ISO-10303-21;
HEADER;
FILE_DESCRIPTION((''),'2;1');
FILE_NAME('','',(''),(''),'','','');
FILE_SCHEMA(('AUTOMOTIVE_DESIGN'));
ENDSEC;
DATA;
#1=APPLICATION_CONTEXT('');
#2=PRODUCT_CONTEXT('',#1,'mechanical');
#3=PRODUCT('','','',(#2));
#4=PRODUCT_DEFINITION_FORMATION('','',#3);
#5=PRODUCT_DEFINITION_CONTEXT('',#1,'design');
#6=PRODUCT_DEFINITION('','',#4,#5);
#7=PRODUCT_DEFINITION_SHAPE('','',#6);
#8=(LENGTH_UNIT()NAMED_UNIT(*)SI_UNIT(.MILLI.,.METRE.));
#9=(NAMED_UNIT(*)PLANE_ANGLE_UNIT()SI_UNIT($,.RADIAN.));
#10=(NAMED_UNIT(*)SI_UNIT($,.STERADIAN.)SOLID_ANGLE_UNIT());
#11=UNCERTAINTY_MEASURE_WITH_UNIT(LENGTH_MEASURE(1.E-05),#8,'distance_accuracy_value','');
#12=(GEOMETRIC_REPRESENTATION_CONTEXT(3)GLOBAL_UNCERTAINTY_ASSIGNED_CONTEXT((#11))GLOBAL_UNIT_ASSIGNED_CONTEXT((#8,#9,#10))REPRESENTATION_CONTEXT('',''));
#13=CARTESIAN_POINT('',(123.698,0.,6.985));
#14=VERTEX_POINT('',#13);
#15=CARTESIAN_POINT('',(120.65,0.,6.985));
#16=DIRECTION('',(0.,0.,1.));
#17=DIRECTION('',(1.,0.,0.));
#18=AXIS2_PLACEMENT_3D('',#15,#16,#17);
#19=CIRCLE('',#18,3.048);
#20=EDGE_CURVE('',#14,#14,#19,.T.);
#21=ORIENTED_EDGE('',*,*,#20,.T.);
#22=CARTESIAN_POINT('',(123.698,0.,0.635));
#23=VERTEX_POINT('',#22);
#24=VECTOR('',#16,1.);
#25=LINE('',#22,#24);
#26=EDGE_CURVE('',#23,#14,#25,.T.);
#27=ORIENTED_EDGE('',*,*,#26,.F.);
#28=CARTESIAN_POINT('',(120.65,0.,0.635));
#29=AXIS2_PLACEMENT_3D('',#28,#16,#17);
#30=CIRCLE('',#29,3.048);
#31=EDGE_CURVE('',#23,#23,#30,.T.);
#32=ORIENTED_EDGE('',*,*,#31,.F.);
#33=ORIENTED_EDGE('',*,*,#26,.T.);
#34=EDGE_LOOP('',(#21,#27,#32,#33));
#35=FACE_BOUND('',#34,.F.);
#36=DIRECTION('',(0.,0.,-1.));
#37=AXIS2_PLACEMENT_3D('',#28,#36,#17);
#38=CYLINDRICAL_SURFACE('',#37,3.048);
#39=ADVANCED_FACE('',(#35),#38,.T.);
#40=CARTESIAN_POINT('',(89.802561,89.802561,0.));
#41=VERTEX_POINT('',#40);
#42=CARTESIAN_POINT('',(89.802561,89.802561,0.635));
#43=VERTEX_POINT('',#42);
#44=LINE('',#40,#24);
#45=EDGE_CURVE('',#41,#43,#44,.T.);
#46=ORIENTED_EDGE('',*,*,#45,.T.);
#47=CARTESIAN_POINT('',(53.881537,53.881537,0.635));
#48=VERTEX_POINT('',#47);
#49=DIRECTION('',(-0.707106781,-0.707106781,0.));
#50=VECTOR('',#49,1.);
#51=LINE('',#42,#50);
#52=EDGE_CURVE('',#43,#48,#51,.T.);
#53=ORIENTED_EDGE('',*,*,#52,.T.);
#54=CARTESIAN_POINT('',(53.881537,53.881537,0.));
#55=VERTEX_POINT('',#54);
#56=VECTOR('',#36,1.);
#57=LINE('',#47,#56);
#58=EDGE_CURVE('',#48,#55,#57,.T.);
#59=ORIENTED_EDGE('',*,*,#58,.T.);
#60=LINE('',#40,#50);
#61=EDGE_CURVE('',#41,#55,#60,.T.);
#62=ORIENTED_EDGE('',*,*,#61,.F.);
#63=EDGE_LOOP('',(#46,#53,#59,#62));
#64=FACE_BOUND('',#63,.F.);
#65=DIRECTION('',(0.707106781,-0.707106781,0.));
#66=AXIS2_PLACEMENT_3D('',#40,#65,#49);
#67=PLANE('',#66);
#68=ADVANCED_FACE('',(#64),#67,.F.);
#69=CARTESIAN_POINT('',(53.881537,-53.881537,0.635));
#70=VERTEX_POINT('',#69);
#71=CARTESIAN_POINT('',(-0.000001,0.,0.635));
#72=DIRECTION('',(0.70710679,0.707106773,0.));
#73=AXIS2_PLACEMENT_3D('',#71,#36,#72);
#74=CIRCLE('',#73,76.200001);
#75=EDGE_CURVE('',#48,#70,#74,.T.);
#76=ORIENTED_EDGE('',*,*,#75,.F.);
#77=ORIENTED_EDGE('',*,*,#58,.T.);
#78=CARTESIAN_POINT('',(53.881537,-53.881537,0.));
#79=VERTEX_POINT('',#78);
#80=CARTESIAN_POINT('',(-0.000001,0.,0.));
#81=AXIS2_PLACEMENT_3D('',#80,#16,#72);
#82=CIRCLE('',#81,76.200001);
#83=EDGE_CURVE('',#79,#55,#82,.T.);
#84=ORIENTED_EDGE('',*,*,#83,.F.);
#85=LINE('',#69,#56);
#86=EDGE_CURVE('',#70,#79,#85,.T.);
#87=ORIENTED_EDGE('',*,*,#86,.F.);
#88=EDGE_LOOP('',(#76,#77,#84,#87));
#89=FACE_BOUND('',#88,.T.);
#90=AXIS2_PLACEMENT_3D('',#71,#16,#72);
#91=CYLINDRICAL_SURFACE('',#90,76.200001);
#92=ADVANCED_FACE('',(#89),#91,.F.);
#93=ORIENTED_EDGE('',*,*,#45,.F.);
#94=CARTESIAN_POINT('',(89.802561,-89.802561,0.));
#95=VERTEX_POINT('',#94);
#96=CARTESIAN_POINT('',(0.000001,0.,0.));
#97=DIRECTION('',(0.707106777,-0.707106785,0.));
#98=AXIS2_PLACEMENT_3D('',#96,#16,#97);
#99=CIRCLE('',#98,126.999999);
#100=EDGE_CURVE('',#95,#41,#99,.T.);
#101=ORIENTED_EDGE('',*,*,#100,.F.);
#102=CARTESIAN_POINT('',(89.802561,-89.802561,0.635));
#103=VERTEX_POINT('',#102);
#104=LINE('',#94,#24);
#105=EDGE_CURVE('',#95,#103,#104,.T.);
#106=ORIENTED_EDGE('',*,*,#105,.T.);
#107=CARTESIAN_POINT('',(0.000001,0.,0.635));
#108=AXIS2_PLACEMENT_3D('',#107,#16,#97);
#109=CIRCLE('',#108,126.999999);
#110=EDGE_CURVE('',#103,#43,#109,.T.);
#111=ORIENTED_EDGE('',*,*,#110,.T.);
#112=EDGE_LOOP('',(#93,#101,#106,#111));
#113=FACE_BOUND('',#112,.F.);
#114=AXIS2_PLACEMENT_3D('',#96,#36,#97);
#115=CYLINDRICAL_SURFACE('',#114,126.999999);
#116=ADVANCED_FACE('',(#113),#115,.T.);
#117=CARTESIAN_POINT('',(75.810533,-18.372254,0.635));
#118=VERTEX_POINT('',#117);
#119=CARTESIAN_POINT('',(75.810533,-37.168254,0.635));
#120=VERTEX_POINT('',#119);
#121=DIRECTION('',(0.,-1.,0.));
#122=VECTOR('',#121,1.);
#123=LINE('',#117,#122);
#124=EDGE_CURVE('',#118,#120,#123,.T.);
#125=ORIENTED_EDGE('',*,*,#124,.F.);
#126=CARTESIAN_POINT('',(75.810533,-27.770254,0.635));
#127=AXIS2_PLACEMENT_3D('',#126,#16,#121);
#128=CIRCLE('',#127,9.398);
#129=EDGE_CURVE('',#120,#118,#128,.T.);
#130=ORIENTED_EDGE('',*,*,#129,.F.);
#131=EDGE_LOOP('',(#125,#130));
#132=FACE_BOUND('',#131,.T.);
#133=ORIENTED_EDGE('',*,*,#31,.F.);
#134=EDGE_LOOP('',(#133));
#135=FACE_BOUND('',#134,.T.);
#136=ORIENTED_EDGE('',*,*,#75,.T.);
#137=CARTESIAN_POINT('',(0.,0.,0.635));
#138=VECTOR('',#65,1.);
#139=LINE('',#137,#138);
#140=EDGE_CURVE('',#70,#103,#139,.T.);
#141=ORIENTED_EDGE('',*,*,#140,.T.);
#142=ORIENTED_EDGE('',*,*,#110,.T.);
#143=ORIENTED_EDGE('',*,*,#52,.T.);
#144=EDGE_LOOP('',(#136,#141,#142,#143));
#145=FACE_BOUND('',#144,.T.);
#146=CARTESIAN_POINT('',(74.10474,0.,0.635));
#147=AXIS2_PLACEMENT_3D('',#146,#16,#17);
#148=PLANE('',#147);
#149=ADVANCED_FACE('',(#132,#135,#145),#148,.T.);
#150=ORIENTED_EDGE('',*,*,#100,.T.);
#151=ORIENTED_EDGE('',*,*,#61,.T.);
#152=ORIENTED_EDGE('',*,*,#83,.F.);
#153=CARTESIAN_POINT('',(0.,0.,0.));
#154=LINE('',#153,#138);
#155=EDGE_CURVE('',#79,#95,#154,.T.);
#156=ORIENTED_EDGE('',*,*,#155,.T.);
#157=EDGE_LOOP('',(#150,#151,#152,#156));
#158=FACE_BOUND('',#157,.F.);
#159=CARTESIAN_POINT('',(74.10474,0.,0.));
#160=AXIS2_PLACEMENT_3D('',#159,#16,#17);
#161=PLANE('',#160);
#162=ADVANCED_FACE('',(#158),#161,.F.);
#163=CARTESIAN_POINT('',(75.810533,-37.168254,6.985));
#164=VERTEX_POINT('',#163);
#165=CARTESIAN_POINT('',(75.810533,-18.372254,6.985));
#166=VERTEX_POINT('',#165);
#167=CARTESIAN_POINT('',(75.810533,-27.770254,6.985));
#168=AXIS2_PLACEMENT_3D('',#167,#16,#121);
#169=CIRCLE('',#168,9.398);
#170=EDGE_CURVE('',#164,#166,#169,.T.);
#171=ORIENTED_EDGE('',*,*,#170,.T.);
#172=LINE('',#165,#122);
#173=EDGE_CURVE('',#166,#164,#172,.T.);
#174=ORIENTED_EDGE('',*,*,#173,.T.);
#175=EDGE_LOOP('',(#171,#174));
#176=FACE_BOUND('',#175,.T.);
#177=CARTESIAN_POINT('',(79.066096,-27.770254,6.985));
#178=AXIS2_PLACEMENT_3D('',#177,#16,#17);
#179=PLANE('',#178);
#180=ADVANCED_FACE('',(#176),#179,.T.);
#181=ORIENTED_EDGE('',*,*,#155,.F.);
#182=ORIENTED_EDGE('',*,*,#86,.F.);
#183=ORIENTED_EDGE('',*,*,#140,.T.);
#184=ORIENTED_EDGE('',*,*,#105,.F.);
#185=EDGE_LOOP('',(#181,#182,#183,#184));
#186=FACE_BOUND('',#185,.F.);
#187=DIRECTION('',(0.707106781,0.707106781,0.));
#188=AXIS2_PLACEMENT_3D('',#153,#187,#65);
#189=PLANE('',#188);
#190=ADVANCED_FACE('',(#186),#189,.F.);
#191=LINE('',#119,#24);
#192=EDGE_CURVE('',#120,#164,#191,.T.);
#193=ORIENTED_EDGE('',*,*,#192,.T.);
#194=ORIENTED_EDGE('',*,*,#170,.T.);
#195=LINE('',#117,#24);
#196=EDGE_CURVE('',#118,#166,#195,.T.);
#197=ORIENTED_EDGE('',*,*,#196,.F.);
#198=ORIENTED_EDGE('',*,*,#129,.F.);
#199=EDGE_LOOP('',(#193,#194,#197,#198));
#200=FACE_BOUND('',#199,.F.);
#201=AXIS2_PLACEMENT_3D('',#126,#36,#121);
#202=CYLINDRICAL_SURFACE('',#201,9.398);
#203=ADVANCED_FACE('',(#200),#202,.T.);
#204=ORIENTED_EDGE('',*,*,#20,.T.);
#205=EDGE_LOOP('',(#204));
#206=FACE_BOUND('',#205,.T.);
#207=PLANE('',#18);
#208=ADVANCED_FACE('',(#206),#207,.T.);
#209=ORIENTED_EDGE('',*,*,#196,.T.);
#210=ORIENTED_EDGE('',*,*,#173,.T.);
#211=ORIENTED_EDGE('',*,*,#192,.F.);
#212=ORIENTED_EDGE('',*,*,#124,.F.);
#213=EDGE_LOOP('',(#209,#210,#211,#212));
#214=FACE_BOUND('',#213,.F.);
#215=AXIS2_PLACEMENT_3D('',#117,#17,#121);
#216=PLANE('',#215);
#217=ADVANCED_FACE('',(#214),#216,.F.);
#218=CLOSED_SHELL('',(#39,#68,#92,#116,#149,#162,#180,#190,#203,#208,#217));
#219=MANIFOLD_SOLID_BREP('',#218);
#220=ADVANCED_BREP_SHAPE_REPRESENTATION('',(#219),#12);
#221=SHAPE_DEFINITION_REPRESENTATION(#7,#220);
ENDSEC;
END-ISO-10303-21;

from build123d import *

# Parameters (mm, degrees)
F1_DEPTH = 0.635
F4_DEPTH = 25.4
F2_R     = 3.048
F6_DEPTH = 6.35
F7_DEPTH = 6.35


with BuildPart() as f1:
    # F0 (on Top) → F1 (new body)
    with BuildSketch(Plane.XY):
        with BuildLine():
            Line((0, 0), (89.802561, -89.802561))
            ThreePointArc((89.802561, -89.802561), (127, 0), (89.802561, 89.802561))
            Line((89.802561, 89.802561), (0, 0))
        make_face()
    extrude(amount=F1_DEPTH)

    # F3 (on face) → F4 (intersect)
    with BuildSketch(Plane.XY.offset(0.635)):
        with BuildLine():
            ThreePointArc((53.881537, 53.881537), (76.2, 0), (53.881537, -53.881537))
            Line((53.881537, -53.881537), (89.802561, -89.802561))
            ThreePointArc((89.802561, -89.802561), (127, 0), (89.802561, 89.802561))
            Line((89.802561, 89.802561), (53.881537, 53.881537))
        make_face()
    extrude(amount=-F4_DEPTH, mode=Mode.INTERSECT)

    # F2 (on face) → F6 (join)
    with BuildSketch(Plane.XY.offset(0.635)):
        with Locations((120.65, 0)):
            Circle(F2_R)
    extrude(amount=F6_DEPTH)

    # F5 (on face) → F7 (join)
    with BuildSketch(Plane.XY.offset(0.635)):
        with BuildLine():
            Line((75.810533, -18.372254), (75.810533, -37.168254))
            ThreePointArc((75.810533, -37.168254), (85.208533, -27.770254), (75.810533, -18.372254))
        make_face()
    extrude(amount=F7_DEPTH)


solid = f1.part
